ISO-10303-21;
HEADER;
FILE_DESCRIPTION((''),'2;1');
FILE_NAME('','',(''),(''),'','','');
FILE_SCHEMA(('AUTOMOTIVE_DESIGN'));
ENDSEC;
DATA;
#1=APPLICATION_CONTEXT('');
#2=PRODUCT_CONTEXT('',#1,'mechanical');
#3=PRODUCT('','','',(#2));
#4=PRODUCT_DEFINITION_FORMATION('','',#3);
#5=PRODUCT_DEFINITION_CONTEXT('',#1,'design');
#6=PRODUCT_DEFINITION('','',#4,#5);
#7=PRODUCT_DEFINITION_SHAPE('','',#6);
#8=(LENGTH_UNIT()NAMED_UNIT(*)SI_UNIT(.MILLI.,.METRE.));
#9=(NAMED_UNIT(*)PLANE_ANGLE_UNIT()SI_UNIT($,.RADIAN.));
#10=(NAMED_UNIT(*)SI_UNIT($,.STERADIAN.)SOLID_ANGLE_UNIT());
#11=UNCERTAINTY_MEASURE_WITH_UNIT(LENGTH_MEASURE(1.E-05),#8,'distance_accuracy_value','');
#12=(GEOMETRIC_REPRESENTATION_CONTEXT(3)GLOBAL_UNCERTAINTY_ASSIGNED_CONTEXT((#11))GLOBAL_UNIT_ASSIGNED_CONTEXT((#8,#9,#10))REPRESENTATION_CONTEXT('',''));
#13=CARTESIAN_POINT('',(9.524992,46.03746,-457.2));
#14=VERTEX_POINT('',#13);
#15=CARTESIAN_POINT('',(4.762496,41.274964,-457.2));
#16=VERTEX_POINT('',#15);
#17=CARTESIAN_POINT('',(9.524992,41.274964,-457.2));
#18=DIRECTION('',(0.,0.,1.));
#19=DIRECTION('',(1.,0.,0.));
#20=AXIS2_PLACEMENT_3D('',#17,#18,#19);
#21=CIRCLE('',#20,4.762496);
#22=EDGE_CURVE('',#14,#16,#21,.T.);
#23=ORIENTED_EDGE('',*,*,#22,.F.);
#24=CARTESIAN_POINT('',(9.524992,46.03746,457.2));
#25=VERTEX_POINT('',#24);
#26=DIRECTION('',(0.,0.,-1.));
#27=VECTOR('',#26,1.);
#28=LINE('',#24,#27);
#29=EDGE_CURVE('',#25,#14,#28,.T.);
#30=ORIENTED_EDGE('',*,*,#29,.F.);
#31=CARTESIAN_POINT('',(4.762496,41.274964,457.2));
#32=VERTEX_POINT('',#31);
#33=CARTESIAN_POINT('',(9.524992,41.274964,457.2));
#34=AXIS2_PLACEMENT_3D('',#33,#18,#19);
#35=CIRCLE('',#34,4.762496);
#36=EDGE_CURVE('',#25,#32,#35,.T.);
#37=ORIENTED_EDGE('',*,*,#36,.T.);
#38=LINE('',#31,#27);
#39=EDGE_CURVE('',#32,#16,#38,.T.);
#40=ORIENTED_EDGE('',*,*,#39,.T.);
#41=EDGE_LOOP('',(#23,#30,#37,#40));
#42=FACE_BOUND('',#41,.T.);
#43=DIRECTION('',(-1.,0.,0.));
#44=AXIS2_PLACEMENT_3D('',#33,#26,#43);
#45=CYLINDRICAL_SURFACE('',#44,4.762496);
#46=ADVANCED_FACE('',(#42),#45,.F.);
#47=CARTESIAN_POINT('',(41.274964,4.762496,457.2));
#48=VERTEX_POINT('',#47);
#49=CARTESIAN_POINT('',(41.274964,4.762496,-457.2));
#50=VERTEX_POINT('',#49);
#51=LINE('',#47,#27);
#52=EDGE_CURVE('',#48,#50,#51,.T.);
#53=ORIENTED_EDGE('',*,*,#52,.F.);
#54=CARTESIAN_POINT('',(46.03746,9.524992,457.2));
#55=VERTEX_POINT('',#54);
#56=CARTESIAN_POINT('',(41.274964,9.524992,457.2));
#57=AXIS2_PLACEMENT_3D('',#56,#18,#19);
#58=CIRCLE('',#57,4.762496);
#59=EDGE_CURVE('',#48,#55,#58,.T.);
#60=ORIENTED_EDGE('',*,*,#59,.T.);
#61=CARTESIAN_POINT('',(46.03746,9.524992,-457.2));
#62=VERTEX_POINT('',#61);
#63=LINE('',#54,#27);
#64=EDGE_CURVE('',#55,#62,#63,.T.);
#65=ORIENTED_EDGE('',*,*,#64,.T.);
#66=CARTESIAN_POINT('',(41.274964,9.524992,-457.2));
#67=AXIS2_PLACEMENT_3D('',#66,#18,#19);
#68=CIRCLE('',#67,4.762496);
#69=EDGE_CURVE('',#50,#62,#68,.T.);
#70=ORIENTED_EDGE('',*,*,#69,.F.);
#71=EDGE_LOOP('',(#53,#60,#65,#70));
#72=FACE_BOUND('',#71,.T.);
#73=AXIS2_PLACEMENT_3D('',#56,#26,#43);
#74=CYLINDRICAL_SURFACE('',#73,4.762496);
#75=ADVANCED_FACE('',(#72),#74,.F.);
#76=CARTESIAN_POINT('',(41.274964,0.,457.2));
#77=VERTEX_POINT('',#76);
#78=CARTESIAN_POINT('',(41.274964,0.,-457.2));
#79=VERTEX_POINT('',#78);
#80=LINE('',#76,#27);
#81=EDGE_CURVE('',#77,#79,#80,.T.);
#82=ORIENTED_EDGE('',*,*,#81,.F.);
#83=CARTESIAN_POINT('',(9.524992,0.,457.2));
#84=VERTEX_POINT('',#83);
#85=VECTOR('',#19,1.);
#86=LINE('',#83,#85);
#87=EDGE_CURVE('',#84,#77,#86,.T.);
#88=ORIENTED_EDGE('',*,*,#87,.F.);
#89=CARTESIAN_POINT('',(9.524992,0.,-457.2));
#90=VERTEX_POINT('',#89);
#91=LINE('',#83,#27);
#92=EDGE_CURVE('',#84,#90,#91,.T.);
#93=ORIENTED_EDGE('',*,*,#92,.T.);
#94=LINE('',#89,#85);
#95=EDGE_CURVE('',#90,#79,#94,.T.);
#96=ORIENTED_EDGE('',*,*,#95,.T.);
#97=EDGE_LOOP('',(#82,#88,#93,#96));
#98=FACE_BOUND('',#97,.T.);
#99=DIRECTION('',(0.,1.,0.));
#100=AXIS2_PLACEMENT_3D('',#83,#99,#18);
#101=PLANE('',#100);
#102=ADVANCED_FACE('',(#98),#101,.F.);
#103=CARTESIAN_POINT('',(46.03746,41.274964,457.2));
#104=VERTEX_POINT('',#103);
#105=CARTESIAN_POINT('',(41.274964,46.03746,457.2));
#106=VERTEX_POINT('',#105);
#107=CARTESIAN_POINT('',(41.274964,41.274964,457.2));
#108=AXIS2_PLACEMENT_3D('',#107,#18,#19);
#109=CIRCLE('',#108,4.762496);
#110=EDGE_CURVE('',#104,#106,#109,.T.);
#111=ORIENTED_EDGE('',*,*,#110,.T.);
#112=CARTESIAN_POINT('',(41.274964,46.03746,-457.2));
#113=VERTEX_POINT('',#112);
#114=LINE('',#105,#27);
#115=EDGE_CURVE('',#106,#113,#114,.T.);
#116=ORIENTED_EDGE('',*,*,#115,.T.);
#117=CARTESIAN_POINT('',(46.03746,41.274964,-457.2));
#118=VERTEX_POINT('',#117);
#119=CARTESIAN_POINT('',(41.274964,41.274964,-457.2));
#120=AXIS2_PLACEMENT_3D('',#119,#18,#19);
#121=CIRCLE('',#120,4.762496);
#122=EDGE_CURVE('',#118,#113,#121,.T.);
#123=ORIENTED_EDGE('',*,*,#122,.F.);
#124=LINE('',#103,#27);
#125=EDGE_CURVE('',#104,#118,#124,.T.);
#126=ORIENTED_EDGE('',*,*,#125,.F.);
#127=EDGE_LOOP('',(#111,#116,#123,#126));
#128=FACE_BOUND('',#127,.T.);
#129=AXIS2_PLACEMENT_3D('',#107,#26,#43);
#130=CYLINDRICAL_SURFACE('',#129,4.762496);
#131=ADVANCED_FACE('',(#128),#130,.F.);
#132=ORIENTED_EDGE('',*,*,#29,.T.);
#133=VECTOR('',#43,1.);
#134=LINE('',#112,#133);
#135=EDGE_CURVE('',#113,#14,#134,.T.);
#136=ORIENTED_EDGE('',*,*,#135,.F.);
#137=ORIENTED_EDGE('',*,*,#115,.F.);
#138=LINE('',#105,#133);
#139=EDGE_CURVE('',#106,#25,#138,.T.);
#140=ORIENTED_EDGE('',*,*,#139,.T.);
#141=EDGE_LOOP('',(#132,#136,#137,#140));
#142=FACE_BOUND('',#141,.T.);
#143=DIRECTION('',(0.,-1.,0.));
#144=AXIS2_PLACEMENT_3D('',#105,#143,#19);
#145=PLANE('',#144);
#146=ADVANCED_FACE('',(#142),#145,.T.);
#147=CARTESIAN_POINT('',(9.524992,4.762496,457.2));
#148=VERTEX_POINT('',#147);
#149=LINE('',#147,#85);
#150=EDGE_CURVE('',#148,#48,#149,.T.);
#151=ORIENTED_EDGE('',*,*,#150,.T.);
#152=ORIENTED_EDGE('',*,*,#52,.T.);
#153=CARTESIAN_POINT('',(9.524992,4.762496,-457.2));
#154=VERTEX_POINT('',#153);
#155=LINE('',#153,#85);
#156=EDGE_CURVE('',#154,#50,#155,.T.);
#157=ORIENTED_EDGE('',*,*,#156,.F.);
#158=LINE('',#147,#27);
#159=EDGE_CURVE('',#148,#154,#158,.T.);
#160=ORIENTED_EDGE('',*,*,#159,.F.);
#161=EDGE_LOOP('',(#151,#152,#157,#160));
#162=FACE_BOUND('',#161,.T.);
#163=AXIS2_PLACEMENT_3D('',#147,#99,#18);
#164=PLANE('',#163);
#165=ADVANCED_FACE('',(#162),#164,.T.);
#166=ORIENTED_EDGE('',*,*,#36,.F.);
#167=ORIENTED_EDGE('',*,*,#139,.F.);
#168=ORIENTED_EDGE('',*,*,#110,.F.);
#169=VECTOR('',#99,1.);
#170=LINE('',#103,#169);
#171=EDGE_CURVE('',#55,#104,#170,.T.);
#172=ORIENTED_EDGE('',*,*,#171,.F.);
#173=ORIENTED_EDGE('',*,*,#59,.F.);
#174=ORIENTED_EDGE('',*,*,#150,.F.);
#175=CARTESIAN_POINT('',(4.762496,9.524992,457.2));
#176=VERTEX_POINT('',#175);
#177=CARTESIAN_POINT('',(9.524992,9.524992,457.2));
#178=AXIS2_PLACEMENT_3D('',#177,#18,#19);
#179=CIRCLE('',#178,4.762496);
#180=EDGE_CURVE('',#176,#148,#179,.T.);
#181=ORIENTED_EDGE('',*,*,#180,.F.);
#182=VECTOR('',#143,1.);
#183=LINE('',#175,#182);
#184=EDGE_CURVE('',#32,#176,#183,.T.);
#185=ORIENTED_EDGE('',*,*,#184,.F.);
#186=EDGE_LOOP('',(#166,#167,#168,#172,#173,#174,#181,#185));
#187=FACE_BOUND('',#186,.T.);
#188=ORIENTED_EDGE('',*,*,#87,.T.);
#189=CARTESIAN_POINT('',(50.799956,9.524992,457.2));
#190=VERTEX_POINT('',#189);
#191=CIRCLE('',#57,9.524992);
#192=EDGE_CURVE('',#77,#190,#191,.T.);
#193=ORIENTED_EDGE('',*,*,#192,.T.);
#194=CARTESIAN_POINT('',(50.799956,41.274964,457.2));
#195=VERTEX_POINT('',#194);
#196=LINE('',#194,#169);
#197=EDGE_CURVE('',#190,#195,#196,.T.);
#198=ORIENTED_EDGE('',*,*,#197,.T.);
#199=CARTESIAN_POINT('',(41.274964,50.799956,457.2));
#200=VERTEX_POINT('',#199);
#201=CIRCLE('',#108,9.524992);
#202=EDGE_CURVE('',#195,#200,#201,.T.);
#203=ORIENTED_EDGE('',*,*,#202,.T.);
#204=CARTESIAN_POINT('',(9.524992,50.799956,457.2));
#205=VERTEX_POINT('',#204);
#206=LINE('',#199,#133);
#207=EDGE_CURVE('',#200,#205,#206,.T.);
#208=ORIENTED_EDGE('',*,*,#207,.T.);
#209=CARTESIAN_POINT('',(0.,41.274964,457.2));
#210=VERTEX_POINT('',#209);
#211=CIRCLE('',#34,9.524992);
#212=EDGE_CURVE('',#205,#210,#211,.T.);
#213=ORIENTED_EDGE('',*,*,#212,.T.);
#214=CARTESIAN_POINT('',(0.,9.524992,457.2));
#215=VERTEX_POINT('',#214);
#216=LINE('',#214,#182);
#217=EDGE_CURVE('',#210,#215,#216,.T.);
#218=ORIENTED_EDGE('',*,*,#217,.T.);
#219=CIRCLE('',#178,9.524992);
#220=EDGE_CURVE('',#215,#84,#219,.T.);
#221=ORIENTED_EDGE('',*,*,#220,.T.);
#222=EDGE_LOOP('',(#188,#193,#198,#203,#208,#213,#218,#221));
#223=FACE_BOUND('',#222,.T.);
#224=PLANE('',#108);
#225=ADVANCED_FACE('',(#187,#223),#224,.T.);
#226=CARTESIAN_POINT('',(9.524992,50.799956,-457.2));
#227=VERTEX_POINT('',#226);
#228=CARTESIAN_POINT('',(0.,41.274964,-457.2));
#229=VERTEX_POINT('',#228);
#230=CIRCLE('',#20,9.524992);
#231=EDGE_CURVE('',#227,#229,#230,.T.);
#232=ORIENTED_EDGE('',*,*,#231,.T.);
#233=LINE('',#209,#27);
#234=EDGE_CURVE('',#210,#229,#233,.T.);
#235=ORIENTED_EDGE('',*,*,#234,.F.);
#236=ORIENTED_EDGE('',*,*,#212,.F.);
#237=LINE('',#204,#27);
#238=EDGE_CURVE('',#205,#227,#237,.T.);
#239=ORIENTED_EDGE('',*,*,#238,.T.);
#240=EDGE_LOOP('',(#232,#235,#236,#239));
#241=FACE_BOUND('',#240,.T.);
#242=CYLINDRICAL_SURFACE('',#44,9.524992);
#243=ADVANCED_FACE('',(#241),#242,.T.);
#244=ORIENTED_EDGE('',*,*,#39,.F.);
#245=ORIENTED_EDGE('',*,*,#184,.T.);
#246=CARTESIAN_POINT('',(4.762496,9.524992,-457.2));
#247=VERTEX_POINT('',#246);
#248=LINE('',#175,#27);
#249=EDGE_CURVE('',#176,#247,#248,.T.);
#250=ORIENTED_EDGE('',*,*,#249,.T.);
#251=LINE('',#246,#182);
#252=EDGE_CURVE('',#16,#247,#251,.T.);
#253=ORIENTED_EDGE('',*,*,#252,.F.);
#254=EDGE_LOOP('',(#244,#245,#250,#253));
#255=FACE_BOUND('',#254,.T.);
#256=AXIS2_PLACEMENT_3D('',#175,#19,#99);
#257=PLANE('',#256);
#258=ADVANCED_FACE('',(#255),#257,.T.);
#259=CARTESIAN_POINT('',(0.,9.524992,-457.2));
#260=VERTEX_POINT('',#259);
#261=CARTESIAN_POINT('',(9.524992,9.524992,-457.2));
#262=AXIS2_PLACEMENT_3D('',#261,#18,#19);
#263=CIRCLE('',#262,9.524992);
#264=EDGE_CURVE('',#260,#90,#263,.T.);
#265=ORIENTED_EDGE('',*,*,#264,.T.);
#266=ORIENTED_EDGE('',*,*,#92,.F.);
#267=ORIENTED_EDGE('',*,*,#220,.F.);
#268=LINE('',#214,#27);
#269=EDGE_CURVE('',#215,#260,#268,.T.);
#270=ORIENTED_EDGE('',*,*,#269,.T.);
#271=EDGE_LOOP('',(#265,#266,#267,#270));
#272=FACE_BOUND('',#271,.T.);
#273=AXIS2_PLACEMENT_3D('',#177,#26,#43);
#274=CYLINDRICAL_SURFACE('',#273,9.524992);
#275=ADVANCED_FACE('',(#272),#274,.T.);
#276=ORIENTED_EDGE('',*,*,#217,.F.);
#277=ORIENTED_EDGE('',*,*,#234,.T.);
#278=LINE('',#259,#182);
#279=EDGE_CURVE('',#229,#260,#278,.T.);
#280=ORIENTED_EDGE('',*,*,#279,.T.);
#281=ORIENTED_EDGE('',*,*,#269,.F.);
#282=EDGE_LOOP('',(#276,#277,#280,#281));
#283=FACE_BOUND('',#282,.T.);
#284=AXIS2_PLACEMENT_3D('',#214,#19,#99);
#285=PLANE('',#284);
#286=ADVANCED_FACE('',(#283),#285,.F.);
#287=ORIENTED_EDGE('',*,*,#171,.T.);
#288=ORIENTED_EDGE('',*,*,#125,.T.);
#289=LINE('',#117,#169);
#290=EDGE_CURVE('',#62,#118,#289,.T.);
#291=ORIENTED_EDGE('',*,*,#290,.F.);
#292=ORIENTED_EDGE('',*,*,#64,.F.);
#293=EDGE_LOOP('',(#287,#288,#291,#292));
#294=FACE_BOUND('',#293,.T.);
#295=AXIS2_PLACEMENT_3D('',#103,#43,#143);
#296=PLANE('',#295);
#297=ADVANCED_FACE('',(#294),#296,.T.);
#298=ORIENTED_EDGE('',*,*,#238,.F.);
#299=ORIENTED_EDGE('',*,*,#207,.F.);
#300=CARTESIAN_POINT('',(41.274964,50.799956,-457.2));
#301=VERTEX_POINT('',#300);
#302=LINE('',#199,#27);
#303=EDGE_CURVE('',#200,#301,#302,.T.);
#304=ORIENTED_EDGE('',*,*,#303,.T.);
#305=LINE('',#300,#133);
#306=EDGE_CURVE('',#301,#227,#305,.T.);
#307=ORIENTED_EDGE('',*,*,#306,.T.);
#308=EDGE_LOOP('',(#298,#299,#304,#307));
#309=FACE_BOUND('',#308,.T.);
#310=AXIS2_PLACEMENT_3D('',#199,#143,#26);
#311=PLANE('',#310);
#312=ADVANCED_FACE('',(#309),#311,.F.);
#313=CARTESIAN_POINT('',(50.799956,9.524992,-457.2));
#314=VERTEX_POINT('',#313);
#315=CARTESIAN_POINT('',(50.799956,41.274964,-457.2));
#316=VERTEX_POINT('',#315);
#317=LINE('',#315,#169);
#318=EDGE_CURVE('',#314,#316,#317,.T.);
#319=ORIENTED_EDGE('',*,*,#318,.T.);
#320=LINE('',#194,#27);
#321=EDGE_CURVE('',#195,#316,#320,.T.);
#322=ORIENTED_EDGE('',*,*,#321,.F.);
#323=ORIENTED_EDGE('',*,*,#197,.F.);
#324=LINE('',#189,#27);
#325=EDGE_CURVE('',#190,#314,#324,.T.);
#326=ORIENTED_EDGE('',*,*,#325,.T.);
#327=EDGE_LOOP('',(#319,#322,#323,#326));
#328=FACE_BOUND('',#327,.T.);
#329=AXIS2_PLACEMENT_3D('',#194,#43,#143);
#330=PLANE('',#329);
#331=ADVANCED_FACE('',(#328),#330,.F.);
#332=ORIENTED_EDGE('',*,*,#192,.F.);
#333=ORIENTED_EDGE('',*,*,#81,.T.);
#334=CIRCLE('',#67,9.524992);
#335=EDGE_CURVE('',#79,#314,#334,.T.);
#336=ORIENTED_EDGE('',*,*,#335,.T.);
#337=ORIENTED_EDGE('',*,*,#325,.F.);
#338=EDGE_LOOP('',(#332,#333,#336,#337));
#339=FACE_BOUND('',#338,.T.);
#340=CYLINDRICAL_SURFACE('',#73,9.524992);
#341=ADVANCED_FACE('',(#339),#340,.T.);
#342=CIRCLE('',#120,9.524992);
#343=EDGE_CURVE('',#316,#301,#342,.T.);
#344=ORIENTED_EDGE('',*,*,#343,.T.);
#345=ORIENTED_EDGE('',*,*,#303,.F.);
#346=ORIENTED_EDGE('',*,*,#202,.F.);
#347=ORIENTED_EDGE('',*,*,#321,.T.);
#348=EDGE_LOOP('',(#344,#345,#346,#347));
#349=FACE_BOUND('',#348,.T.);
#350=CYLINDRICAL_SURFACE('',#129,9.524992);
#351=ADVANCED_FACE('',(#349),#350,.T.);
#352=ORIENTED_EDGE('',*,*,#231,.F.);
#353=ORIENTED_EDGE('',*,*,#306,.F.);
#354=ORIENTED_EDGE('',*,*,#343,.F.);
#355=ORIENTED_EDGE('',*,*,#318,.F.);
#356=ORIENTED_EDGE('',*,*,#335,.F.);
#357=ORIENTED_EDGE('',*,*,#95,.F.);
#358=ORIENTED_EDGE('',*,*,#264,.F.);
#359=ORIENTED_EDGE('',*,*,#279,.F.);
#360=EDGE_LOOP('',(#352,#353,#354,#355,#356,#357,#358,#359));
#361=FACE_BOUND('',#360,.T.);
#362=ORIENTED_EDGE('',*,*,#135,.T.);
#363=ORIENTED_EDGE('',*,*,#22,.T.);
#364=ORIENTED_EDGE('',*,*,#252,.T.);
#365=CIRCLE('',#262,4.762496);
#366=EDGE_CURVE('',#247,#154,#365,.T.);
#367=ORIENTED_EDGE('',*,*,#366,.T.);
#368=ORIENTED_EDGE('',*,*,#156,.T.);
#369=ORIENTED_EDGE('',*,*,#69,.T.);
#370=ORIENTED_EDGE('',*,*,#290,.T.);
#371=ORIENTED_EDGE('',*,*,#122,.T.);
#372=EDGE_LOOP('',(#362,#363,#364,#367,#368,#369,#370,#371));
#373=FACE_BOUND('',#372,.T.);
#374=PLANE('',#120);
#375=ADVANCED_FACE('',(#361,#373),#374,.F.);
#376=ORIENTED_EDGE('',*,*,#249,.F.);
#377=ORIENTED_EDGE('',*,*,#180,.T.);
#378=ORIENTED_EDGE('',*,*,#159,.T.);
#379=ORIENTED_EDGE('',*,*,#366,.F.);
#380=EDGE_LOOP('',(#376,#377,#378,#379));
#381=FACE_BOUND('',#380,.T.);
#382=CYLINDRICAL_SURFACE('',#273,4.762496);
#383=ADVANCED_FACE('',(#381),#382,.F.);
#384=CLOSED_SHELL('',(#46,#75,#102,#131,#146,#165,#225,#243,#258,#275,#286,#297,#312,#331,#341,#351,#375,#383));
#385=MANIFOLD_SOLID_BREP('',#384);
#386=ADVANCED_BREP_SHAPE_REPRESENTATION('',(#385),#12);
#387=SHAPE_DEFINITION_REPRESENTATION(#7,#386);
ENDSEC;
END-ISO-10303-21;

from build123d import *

# Parameters (mm, degrees)
BASETUBES_DEPTH = 457.2


with BuildPart() as part:
    # Sketch1 → BaseTubeS (new body, symmetric)
    with BuildSketch(Plane.XY):
        with BuildLine():
            Line((9.52499175, 0), (41.27496425, 0))
            ThreePointArc((41.27496425, 0), (48.010150507, 2.789805493), (50.799956, 9.52499175))
            Line((50.799956, 9.52499175), (50.799956, 41.27496425))
            ThreePointArc((50.799956, 41.27496425), (48.010150507, 48.010150507), (41.27496425, 50.799956))
            Line((41.27496425, 50.799956), (9.52499175, 50.799956))
            ThreePointArc((9.52499175, 50.799956), (2.789805493, 48.010150507), (0, 41.27496425))
            Line((0, 41.27496425), (0, 9.52499175))
            ThreePointArc((0, 9.52499175), (2.789805493, 2.789805493), (9.52499175, 0))
        make_face()
        with BuildLine():
            Line((9.52499175, 4.762495875), (41.27496425, 4.762495875))
            ThreePointArc((41.27496425, 4.762495875), (44.642557379, 6.157398621), (46.037460125, 9.52499175))
            Line((46.037460125, 9.52499175), (46.037460125, 41.27496425))
            ThreePointArc((46.037460125, 41.27496425), (44.642557379, 44.642557379), (41.27496425, 46.037460125))
            Line((41.27496425, 46.037460125), (9.52499175, 46.037460125))
            ThreePointArc((9.52499175, 46.037460125), (6.157398621, 44.642557379), (4.762495875, 41.27496425))
            Line((4.762495875, 41.27496425), (4.762495875, 9.52499175))
            ThreePointArc((4.762495875, 9.52499175), (6.157398621, 6.157398621), (9.52499175, 4.762495875))
        make_face(mode=Mode.SUBTRACT)
    extrude(amount=BASETUBES_DEPTH, both=True)


solid = part.part
